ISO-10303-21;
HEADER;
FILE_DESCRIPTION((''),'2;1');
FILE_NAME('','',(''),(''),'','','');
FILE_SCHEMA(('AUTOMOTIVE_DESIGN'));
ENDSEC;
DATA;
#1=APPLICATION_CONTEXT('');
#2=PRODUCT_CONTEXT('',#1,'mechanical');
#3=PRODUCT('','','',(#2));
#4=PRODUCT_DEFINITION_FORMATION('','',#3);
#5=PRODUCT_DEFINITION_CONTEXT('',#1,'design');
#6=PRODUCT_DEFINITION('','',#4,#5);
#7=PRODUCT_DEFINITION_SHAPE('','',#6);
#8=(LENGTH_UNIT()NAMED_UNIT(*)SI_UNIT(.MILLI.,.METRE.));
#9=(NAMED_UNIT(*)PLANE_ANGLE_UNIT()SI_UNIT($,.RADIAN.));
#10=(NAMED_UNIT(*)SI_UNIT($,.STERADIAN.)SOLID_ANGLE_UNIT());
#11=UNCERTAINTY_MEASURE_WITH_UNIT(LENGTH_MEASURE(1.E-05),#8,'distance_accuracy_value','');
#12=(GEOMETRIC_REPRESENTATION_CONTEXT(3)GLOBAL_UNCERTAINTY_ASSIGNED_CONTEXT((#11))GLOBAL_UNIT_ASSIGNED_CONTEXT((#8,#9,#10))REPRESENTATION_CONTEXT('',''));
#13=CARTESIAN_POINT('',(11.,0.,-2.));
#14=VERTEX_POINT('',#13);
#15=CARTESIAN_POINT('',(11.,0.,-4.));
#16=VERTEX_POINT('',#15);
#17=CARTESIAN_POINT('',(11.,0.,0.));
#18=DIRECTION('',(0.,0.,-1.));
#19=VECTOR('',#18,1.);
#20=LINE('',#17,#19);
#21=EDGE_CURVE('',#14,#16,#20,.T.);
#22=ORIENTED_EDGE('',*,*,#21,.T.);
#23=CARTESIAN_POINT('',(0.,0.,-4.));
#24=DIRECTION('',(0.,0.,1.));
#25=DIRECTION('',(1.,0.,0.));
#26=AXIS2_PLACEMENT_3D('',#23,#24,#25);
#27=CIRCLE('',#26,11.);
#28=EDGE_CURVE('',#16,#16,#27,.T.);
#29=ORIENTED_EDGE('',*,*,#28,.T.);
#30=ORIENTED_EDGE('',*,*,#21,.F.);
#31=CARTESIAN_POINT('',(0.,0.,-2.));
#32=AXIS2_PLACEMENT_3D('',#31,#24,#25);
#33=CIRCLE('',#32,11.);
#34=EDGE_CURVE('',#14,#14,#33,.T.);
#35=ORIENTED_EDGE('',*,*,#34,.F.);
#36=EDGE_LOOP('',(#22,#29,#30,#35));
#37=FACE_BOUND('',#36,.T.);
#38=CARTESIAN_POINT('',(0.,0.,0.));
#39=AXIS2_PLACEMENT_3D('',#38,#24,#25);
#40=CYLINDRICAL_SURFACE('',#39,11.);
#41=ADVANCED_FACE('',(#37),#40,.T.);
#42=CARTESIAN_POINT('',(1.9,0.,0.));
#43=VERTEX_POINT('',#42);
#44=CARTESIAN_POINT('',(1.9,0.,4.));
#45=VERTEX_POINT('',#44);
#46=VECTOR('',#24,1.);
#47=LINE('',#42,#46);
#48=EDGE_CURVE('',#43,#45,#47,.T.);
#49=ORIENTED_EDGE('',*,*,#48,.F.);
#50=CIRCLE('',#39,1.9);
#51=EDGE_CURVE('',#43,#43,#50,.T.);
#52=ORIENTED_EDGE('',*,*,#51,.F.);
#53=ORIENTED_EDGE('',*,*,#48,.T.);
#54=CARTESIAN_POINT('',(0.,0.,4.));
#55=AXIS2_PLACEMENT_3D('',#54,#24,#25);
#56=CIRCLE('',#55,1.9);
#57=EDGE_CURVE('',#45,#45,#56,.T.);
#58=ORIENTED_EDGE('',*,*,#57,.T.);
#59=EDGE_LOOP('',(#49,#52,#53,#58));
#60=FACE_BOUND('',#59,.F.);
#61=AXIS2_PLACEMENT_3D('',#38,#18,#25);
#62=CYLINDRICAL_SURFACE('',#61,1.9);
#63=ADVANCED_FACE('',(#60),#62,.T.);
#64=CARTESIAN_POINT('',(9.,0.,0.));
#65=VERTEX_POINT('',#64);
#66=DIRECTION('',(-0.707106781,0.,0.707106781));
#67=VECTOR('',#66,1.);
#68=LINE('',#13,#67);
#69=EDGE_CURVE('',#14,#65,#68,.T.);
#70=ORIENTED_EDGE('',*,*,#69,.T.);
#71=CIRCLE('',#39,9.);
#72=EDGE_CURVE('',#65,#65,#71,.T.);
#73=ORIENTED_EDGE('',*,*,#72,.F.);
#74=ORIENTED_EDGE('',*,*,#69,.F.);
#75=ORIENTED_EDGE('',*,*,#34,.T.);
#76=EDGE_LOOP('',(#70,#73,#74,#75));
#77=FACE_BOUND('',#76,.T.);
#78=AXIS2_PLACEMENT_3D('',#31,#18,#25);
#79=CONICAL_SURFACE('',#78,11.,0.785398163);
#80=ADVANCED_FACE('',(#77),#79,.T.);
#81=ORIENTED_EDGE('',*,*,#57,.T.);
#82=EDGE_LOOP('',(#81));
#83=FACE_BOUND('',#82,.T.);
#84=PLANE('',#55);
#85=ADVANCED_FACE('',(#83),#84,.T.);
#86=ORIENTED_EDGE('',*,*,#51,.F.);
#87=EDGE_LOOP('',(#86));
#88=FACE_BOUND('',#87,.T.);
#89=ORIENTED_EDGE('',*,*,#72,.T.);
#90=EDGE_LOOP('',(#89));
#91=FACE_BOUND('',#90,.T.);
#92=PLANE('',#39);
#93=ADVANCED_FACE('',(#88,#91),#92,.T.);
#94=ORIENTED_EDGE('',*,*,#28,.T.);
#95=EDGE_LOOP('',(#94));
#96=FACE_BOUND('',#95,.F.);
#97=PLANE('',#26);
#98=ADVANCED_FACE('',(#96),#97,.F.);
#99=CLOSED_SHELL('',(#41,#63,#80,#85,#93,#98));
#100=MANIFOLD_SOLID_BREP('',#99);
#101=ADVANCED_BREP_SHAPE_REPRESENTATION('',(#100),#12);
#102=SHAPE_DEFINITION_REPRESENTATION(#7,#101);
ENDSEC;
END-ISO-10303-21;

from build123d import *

# Parameters (mm, degrees)
F0_R     = 11
F1_DEPTH = 4
F2_R     = 1.9
F3_DEPTH = 4
F4_SIZE  = 2


with BuildPart() as f1:
    # F0 (on Top) → F1 (new body)
    with BuildSketch(Plane.XY):
        Circle(F0_R)
    extrude(amount=-F1_DEPTH)

    # F2 (on face) → F3 (join)
    with BuildSketch(Plane.XY):
        Circle(F2_R)
    extrude(amount=F3_DEPTH)

    # F4
    f4_edges = [f1.edges().sort_by_distance(p)[0] for p in [
        (-11, 0, 0),
    ]]
    chamfer(f4_edges, length=F4_SIZE)


solid = f1.part
